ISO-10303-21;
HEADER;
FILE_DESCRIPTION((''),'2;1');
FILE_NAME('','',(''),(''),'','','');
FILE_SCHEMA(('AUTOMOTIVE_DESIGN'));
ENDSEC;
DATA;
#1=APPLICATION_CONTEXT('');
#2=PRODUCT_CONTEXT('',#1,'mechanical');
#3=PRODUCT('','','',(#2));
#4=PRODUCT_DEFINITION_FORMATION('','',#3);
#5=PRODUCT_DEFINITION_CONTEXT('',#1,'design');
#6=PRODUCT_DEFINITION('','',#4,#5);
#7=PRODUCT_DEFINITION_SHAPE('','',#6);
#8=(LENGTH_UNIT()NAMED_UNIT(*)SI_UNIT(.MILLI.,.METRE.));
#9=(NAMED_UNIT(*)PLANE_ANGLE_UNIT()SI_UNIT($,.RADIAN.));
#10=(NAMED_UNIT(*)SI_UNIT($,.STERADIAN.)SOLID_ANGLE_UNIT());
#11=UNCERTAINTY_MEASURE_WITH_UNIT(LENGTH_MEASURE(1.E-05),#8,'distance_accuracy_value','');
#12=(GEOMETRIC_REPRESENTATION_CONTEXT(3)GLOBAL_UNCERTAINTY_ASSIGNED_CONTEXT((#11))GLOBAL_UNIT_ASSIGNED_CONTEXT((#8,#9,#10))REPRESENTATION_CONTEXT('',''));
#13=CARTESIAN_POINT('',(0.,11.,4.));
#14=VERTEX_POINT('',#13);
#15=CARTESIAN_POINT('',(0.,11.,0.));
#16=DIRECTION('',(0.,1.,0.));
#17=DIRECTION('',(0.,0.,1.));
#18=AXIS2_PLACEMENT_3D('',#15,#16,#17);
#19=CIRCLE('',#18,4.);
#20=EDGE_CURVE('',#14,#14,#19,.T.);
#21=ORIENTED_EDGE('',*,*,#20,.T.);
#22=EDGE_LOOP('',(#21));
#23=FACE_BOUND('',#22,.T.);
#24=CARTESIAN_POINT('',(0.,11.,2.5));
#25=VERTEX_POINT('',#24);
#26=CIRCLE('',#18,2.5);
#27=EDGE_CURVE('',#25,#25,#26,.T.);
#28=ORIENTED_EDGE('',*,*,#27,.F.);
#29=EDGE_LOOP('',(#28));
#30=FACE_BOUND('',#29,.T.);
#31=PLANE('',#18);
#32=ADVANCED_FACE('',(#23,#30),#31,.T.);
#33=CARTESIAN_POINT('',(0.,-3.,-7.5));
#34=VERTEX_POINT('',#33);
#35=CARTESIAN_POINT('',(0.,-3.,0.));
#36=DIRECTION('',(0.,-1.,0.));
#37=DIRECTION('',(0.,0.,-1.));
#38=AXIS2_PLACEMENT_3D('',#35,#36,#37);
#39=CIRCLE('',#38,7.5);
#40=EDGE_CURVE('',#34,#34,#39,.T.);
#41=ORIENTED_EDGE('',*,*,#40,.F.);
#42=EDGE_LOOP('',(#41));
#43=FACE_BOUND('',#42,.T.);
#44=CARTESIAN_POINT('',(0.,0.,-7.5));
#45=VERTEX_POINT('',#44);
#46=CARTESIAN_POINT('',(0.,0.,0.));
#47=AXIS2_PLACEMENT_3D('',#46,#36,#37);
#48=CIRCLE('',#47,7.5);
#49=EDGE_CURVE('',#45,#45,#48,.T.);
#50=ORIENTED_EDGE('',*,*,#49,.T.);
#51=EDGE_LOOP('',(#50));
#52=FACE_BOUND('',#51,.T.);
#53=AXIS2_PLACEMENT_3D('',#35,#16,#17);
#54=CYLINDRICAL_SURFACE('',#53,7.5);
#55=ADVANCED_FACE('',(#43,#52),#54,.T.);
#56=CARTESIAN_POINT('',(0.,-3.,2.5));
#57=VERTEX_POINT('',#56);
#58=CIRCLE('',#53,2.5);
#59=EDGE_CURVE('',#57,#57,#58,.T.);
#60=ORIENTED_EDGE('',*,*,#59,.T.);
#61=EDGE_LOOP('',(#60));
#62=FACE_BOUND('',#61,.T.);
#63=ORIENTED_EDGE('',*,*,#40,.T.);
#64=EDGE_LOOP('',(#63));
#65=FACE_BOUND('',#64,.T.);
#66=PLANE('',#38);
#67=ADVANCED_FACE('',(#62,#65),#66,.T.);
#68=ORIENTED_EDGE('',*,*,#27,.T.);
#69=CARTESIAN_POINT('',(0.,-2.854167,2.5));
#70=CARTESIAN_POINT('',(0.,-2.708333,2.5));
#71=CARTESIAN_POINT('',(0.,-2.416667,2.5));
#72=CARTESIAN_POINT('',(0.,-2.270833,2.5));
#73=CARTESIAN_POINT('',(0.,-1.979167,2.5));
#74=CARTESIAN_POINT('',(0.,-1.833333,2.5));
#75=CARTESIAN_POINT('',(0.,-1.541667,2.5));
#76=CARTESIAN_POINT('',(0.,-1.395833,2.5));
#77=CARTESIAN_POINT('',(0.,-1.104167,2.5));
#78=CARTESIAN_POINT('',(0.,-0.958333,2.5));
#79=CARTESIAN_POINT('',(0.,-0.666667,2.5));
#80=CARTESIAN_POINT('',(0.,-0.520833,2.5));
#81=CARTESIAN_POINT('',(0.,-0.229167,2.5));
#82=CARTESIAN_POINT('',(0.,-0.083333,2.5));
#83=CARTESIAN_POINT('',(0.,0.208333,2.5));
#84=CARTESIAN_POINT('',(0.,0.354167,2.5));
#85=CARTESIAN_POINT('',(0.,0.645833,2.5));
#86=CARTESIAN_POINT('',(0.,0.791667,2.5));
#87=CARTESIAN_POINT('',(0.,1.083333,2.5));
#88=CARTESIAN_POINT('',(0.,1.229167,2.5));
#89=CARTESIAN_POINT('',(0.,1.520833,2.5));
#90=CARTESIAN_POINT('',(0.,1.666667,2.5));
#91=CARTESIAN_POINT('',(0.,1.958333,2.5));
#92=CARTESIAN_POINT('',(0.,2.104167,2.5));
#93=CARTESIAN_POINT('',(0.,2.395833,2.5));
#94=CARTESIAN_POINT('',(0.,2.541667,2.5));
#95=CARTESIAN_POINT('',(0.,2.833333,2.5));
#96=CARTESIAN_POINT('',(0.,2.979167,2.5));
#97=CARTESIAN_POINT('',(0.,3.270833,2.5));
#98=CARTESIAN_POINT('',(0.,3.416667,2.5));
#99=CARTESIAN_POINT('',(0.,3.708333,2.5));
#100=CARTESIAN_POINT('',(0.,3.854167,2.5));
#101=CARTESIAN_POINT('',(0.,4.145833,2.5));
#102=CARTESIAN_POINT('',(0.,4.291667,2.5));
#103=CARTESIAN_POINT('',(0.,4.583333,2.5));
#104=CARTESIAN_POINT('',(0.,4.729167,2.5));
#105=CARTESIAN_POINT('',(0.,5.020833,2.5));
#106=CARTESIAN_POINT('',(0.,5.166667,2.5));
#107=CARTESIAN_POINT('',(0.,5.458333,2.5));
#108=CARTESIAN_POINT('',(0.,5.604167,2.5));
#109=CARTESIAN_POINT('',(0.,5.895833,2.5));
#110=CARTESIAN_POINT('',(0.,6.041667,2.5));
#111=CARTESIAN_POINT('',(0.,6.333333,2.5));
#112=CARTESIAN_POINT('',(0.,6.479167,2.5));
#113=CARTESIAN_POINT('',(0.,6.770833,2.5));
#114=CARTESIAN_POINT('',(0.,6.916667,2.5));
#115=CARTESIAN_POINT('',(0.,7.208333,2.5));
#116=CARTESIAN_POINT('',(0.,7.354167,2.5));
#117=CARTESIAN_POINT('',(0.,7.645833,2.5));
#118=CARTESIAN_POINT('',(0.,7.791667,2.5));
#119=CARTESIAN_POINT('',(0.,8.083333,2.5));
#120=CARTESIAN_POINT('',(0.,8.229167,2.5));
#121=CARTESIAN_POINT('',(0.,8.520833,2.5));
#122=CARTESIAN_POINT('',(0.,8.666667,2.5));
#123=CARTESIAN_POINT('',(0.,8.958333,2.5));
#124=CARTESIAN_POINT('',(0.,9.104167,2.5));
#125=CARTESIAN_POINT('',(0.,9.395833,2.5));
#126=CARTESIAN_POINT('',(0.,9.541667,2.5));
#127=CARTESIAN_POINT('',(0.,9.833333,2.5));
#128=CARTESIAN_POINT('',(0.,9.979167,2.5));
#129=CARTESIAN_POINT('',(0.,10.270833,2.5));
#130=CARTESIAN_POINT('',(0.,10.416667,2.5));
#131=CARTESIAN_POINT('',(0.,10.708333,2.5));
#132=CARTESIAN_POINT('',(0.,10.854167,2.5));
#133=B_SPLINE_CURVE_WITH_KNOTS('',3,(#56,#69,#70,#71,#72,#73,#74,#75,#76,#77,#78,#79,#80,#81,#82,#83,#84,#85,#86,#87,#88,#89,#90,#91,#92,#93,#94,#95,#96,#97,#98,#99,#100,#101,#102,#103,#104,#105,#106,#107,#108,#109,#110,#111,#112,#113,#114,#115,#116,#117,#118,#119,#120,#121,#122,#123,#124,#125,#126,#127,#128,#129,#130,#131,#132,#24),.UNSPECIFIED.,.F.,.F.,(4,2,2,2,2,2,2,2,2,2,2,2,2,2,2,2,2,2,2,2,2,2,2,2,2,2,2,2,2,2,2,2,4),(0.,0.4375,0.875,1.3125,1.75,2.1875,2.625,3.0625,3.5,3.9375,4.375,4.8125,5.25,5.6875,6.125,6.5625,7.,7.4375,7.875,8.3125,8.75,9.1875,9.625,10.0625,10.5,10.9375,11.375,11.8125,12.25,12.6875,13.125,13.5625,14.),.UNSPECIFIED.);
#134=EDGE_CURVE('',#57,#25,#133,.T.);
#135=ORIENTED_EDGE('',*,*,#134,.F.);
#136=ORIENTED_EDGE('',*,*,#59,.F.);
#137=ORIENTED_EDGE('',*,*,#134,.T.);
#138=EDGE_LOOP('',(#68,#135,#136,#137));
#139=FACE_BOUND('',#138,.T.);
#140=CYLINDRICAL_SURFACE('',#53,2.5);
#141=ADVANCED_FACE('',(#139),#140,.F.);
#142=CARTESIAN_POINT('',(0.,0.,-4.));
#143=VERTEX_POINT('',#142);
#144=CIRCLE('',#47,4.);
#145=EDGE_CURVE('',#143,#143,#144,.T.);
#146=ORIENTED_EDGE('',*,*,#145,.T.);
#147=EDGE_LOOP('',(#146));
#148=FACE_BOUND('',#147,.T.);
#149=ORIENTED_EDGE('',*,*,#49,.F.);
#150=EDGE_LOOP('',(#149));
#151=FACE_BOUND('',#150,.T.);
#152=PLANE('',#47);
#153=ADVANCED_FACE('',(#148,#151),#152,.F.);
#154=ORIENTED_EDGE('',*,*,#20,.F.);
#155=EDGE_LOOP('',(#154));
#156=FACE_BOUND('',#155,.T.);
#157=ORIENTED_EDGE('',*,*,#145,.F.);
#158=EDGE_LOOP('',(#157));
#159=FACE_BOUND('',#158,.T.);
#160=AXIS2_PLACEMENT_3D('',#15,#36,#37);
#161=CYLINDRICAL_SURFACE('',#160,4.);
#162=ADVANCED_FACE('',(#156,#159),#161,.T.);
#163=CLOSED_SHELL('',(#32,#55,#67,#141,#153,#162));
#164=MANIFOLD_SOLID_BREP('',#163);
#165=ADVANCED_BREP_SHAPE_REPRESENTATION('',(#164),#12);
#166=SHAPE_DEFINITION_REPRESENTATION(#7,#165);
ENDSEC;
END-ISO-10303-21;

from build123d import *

# Parameters (mm, degrees)
ESBO_O1_R                = 4
RESSALTO_EXTRUS_O1_DEPTH = 11
ESBO_O3_R                = 7.5
RESSALTO_EXTRUS_O3_DEPTH = 3
ESBO_O6_R                = 2.5
CORTE_EXTRUS_O1_DEPTH    = 18.56416807


with BuildPart() as part:
    # Esboço1 → Ressalto-extrusão1 (new body)
    with BuildSketch(Plane(origin=(0, 0, 0), x_dir=(1, 0, 0), z_dir=(0, 1, 0))):
        with Locations(Location((0, 0, 0), (0, 0, 270))):
            Circle(ESBO_O1_R)
    extrude(amount=RESSALTO_EXTRUS_O1_DEPTH)

    # Esboço3 → Ressalto-extrusão3 (add)
    with BuildSketch(Plane.XZ):
        with Locations(Location((0, 0, 0), (0, 0, 270))):
            Circle(ESBO_O3_R)
    extrude(amount=RESSALTO_EXTRUS_O3_DEPTH)

    # Esboço6 → Corte-extrusão1 (cut, through all)
    with BuildSketch(Plane(origin=(0, 11, 0), x_dir=(1, 0, 0), z_dir=(0, 1, 0))):
        with Locations(Location((0, 0, 0), (0, 0, 270))):
            Circle(ESBO_O6_R)
    extrude(amount=-CORTE_EXTRUS_O1_DEPTH, mode=Mode.SUBTRACT)


solid = part.part
